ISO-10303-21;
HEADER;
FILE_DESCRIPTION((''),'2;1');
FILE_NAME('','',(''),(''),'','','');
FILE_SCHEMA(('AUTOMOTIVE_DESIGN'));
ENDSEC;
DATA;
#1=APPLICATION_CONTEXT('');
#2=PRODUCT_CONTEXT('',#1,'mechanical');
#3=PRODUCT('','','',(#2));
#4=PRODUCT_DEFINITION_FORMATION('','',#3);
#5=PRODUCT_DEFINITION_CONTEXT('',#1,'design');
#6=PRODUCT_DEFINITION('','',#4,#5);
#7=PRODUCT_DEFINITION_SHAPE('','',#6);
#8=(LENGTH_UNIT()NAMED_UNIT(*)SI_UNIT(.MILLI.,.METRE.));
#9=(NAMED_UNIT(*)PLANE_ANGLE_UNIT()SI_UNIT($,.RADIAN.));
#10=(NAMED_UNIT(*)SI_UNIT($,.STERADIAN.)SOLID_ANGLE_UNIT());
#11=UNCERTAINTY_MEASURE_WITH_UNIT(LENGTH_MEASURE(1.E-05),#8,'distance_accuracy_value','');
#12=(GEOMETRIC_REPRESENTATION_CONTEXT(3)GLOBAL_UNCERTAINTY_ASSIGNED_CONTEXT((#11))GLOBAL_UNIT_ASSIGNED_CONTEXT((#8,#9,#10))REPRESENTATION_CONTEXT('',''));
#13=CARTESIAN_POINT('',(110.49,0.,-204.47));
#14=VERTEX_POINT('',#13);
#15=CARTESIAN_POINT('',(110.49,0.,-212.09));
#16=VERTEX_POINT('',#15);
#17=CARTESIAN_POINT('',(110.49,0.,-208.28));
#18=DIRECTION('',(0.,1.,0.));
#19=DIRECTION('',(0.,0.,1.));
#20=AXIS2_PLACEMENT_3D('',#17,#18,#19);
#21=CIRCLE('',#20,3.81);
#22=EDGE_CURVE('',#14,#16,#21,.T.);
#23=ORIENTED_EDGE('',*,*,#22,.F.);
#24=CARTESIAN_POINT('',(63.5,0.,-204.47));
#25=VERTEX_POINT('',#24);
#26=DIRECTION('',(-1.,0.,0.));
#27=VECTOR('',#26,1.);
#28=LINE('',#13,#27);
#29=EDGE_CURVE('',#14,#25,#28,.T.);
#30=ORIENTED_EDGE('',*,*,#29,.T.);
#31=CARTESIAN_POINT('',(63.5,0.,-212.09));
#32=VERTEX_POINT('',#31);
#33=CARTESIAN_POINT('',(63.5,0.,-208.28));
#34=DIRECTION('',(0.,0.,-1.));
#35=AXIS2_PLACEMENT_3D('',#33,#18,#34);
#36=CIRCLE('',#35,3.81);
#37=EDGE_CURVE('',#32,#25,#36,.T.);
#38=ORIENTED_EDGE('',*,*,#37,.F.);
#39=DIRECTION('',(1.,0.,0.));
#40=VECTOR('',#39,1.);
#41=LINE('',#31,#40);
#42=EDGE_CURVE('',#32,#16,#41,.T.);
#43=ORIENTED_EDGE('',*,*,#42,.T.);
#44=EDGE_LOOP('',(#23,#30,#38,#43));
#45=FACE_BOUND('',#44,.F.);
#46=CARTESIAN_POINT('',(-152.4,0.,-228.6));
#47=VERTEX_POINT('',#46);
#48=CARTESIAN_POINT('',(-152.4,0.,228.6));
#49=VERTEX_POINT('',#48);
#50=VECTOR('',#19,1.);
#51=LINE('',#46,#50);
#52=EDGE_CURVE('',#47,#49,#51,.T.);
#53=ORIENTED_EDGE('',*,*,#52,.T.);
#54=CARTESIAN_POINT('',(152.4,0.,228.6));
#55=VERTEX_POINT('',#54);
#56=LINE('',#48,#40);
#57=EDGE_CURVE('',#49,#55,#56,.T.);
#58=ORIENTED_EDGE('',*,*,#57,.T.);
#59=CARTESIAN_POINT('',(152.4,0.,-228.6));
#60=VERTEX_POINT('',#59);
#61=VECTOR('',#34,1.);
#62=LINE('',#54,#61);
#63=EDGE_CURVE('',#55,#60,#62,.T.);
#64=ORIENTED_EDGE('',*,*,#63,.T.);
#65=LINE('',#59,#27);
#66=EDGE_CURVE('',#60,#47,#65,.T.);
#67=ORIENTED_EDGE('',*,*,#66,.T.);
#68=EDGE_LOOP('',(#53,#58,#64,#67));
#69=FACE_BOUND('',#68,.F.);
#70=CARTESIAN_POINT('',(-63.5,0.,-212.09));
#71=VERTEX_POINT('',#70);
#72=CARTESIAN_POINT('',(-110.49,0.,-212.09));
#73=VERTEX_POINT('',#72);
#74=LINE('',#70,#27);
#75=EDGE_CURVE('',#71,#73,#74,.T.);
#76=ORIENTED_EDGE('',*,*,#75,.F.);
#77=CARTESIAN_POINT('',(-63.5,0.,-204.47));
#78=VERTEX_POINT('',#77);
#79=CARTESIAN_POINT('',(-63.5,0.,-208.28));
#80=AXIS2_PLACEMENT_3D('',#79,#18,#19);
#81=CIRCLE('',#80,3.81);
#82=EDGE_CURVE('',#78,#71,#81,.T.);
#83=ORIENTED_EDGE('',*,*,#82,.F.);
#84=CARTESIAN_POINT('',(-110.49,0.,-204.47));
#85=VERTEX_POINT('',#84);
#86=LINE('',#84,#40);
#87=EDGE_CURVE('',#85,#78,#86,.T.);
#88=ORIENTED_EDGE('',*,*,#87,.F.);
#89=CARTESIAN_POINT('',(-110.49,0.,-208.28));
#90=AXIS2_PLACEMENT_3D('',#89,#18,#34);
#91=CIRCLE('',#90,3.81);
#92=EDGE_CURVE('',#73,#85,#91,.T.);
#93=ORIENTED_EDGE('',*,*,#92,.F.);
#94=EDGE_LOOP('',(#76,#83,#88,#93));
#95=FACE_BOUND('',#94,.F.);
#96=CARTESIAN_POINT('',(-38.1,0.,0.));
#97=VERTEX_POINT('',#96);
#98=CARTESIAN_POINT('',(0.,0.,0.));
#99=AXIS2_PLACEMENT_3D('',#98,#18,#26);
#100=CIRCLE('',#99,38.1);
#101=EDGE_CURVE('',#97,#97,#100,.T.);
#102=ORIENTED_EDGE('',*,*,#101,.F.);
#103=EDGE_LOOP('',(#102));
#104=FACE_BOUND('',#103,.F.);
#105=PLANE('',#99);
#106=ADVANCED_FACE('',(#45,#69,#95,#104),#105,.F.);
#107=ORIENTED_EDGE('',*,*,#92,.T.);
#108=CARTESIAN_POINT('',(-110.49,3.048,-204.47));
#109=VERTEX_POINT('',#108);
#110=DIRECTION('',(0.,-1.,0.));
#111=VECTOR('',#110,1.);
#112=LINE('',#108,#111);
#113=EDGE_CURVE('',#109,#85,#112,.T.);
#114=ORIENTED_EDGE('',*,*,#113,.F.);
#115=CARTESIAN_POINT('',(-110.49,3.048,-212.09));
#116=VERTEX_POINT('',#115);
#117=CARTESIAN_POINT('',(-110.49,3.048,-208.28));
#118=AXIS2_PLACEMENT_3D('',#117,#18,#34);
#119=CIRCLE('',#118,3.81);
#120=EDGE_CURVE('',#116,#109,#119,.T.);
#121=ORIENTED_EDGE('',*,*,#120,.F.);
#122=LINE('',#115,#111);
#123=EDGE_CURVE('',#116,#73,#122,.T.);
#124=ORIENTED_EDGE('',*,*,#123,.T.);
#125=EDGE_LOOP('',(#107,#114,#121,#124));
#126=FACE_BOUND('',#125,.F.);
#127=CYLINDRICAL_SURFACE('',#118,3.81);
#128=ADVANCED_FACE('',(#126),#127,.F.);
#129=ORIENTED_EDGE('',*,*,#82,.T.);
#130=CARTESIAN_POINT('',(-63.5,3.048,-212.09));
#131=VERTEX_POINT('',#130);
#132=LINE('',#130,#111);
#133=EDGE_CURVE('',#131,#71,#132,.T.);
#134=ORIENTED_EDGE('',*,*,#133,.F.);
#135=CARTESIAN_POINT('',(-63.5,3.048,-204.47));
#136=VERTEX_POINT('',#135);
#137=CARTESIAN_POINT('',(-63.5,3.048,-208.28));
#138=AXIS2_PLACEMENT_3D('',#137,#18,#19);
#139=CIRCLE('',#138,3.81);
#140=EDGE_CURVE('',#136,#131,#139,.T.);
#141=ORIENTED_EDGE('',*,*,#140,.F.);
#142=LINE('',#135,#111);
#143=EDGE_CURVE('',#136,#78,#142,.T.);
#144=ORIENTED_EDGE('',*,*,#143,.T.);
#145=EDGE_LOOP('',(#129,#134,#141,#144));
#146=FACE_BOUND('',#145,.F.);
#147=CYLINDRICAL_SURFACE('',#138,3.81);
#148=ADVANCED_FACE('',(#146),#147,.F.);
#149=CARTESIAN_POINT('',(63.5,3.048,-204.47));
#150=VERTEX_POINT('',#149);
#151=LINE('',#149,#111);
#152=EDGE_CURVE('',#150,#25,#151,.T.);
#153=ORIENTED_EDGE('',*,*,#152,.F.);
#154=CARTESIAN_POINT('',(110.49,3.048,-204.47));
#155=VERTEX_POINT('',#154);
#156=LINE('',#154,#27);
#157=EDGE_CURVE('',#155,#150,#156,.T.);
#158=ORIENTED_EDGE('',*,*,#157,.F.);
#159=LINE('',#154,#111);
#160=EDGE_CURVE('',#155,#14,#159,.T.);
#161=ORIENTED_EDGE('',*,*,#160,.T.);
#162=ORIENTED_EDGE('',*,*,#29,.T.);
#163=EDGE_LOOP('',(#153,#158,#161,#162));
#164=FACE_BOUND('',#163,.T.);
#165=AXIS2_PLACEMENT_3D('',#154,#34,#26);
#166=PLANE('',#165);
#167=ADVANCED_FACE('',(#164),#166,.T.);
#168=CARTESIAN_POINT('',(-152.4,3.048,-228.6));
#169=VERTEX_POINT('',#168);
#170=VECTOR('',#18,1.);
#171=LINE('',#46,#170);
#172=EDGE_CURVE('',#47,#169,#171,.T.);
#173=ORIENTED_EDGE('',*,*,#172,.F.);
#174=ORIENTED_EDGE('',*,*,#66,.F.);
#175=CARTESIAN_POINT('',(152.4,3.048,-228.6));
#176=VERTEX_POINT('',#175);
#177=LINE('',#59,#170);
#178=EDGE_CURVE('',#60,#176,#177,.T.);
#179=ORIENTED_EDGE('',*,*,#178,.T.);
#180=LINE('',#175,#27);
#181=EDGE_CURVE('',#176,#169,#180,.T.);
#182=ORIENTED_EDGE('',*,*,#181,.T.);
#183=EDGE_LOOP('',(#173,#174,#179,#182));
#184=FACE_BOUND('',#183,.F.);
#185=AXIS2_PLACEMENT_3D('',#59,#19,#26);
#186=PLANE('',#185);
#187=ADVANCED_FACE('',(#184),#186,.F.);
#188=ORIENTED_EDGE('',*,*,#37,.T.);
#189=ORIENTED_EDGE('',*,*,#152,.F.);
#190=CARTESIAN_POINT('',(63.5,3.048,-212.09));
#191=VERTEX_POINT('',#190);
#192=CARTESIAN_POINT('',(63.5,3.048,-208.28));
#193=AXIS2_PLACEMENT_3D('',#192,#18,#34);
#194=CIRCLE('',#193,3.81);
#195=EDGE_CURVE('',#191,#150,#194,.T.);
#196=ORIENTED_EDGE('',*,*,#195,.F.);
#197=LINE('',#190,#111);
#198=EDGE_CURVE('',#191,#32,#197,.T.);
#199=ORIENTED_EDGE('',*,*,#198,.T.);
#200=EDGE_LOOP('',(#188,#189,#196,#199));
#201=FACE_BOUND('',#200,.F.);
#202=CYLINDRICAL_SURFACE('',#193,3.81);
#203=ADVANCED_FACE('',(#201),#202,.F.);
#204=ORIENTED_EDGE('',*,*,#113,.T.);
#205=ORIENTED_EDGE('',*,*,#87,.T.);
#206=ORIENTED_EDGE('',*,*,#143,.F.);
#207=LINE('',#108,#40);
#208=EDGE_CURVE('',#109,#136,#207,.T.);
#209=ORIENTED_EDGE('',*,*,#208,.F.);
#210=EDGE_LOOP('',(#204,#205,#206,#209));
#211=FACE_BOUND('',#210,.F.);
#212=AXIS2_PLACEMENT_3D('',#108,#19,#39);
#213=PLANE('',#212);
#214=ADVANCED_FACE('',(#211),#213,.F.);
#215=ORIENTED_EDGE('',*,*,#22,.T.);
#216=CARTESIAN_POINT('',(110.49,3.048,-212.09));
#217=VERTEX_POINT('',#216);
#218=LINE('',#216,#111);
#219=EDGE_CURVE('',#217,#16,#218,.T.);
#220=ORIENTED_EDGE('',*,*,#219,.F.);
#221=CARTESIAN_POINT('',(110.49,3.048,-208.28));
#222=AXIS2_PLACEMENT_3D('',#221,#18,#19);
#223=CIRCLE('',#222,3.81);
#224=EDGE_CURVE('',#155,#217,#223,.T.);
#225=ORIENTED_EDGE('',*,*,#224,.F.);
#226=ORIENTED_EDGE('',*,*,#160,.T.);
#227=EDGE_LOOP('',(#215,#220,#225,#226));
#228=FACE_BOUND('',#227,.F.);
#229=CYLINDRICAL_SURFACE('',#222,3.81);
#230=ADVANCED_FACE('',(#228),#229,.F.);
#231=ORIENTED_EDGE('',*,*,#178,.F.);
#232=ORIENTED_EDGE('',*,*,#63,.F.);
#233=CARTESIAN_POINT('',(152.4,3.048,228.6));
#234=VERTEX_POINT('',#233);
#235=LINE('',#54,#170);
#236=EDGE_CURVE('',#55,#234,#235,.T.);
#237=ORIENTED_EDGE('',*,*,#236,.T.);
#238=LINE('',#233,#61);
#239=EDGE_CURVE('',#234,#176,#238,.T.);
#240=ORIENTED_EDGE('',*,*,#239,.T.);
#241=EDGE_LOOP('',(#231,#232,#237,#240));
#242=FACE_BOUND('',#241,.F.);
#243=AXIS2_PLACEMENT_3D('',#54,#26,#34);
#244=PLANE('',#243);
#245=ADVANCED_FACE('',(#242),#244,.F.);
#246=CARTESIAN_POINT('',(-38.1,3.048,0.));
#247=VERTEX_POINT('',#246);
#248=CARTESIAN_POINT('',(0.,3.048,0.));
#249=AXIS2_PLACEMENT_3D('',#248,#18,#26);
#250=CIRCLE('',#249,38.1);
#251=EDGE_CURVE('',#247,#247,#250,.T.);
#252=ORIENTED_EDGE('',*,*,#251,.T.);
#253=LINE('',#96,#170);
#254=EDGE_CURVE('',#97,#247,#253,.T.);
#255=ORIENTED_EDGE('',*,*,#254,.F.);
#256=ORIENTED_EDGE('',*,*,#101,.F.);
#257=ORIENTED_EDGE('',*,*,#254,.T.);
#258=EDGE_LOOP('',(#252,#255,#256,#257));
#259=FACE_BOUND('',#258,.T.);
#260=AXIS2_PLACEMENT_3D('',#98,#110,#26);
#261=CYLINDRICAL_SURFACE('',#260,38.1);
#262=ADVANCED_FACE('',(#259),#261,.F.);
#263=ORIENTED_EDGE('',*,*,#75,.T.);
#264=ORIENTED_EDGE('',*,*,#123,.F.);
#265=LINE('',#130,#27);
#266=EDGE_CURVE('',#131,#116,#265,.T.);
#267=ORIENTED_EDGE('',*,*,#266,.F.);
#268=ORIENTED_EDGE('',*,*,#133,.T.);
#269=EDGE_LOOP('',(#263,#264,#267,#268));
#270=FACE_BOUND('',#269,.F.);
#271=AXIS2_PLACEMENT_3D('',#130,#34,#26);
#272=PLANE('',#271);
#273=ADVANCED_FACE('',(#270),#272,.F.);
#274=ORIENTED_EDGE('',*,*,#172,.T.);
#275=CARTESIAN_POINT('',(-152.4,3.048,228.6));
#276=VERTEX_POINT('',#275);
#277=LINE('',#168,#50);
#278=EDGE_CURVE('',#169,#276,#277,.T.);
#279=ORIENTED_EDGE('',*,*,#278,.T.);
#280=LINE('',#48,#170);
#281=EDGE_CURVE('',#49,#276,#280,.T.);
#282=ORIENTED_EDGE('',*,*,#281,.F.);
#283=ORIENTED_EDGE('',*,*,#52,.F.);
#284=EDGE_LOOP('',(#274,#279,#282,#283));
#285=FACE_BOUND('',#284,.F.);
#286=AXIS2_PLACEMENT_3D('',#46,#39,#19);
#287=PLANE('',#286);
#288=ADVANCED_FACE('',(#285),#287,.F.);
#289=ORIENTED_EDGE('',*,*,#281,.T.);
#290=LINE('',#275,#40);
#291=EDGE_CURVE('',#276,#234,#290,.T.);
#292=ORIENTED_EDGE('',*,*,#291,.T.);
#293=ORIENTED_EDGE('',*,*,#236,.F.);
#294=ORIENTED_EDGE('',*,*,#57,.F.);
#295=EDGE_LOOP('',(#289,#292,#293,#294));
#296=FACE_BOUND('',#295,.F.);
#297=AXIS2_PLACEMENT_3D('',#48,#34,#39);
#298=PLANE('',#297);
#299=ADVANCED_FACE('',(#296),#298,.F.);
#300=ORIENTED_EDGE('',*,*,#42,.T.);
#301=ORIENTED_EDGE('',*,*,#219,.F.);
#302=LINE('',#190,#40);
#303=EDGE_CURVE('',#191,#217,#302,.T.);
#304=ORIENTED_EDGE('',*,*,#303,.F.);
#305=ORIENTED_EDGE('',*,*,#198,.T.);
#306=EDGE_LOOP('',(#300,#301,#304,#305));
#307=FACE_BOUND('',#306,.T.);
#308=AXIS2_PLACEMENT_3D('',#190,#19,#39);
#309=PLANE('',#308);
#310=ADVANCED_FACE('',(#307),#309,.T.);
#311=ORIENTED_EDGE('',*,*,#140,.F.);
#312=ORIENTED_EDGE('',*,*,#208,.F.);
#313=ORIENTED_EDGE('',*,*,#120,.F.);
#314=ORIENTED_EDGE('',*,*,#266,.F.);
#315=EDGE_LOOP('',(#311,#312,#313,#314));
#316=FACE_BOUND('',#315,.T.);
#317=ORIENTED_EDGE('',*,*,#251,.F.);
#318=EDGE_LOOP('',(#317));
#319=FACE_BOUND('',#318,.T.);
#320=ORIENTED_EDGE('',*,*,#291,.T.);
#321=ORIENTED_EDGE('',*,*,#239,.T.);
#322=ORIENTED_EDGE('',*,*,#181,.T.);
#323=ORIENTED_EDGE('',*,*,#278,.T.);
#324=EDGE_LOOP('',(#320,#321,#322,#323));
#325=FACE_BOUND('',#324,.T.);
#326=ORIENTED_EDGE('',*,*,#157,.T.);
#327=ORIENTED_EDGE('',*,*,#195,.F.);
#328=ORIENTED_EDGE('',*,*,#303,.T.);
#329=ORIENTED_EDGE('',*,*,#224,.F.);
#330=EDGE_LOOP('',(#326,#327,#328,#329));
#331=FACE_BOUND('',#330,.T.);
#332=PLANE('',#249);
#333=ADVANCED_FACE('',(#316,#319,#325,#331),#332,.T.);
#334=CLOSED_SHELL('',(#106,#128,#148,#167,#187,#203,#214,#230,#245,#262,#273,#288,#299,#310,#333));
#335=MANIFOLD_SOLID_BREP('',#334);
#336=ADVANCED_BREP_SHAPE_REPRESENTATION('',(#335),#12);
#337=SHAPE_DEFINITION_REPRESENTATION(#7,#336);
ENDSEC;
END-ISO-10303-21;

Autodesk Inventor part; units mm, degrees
ref_plane "YZ Plane" through (0, 0, 0) normal (1, 0, 0) x (0, 1, 0)
ref_plane "XZ Plane" through (0, 0, 0) normal (0, 1, 0) x (-1, 0, 0)
ref_plane "XY Plane" through (0, 0, 0) normal (0, 0, 1) x (1, 0, 0)
sketch "Sketch3" plane through (0, 0, 0) normal (0, 1, 0) x (-1, 0, 0)
  line L0 (152.4, 228.6) -> (-152.4, 228.6)
  line L1 (-152.4, 228.6) -> (-152.4, -228.6)
  line L2 (-152.4, -228.6) -> (152.4, -228.6)
  line L3 (152.4, -228.6) -> (152.4, 228.6)
  line L4 (152.4, 228.6) -> (-152.4, -228.6) construction
  line L5 (-152.4, 228.6) -> (152.4, -228.6) construction
  circle A0 centre (0, 0) radius 38.1
  dimension "d4" = 304.8
  dimension "d5" = 457.2
  dimension "d6" = 76.2
extrude "Plate2" add sketch "Sketch3" along normal blind 3.048
sketch "Sketch4" plane through (0, 3.048, 0) normal (0, 1, 0) x (1, 0, 0)
  line L0 (-110.49, 208.28) -> (-63.5, 208.28) construction
  line L1 (-110.49, 204.47) -> (-63.5, 204.47)
  line L2 (-63.5, 212.09) -> (-110.49, 212.09)
  arc A0 (-110.49, 212.09) -> (-110.49, 204.47) centre (-110.49, 208.28) ccw
  arc A1 (-63.5, 204.47) -> (-63.5, 212.09) centre (-63.5, 208.28) ccw
  line L3 (152.4, 228.6) -> (-152.4, 228.6) construction
  line L4 (0, 228.6) -> (0, 141.7531) construction
  line L5 (-152.4, -228.6) -> (-152.4, 228.6) projected
  line L6 (110.49, 208.28) -> (63.5, 208.28) construction
  line L7 (110.49, 204.47) -> (63.5, 204.47)
  line L8 (63.5, 212.09) -> (110.49, 212.09)
  arc A2 (110.49, 204.47) -> (110.49, 212.09) centre (110.49, 208.28) ccw
  arc A3 (63.5, 212.09) -> (63.5, 204.47) centre (63.5, 208.28) ccw
  point P0 (0, 0)
  point P1 (-86.995, 208.28)
  point P2 (86.995, 208.28)
  dimension "d8" = 46.99
  dimension "d9" = 7.62
  dimension "d10" = 20.32
  dimension "d11" = 41.91
extrude "Cut1" cut sketch "Sketch4" against normal blind 3.048
equation "\"d12\" = Thickness"
equation "\"d7\" = Thickness"
equation "\"BendRadius\" = Thickness"
equation "\"BendReliefWidth\" = Thickness"
equation "\"BendReliefDepth\" = 0.5 * Thickness"
equation "\"CornerReliefSize\" = 4 * Thickness"
equation "\"MinimumRemnant\" = 2 * Thickness"
equation "\"TransitionRadius\" = BendRadius"
equation "\"JacobiRadiusSize\" = BendRadius"
equation "\"GapSize\" = Thickness"
equation "\"Thickness\" = 3.048"
properties part number "FixedLid"
